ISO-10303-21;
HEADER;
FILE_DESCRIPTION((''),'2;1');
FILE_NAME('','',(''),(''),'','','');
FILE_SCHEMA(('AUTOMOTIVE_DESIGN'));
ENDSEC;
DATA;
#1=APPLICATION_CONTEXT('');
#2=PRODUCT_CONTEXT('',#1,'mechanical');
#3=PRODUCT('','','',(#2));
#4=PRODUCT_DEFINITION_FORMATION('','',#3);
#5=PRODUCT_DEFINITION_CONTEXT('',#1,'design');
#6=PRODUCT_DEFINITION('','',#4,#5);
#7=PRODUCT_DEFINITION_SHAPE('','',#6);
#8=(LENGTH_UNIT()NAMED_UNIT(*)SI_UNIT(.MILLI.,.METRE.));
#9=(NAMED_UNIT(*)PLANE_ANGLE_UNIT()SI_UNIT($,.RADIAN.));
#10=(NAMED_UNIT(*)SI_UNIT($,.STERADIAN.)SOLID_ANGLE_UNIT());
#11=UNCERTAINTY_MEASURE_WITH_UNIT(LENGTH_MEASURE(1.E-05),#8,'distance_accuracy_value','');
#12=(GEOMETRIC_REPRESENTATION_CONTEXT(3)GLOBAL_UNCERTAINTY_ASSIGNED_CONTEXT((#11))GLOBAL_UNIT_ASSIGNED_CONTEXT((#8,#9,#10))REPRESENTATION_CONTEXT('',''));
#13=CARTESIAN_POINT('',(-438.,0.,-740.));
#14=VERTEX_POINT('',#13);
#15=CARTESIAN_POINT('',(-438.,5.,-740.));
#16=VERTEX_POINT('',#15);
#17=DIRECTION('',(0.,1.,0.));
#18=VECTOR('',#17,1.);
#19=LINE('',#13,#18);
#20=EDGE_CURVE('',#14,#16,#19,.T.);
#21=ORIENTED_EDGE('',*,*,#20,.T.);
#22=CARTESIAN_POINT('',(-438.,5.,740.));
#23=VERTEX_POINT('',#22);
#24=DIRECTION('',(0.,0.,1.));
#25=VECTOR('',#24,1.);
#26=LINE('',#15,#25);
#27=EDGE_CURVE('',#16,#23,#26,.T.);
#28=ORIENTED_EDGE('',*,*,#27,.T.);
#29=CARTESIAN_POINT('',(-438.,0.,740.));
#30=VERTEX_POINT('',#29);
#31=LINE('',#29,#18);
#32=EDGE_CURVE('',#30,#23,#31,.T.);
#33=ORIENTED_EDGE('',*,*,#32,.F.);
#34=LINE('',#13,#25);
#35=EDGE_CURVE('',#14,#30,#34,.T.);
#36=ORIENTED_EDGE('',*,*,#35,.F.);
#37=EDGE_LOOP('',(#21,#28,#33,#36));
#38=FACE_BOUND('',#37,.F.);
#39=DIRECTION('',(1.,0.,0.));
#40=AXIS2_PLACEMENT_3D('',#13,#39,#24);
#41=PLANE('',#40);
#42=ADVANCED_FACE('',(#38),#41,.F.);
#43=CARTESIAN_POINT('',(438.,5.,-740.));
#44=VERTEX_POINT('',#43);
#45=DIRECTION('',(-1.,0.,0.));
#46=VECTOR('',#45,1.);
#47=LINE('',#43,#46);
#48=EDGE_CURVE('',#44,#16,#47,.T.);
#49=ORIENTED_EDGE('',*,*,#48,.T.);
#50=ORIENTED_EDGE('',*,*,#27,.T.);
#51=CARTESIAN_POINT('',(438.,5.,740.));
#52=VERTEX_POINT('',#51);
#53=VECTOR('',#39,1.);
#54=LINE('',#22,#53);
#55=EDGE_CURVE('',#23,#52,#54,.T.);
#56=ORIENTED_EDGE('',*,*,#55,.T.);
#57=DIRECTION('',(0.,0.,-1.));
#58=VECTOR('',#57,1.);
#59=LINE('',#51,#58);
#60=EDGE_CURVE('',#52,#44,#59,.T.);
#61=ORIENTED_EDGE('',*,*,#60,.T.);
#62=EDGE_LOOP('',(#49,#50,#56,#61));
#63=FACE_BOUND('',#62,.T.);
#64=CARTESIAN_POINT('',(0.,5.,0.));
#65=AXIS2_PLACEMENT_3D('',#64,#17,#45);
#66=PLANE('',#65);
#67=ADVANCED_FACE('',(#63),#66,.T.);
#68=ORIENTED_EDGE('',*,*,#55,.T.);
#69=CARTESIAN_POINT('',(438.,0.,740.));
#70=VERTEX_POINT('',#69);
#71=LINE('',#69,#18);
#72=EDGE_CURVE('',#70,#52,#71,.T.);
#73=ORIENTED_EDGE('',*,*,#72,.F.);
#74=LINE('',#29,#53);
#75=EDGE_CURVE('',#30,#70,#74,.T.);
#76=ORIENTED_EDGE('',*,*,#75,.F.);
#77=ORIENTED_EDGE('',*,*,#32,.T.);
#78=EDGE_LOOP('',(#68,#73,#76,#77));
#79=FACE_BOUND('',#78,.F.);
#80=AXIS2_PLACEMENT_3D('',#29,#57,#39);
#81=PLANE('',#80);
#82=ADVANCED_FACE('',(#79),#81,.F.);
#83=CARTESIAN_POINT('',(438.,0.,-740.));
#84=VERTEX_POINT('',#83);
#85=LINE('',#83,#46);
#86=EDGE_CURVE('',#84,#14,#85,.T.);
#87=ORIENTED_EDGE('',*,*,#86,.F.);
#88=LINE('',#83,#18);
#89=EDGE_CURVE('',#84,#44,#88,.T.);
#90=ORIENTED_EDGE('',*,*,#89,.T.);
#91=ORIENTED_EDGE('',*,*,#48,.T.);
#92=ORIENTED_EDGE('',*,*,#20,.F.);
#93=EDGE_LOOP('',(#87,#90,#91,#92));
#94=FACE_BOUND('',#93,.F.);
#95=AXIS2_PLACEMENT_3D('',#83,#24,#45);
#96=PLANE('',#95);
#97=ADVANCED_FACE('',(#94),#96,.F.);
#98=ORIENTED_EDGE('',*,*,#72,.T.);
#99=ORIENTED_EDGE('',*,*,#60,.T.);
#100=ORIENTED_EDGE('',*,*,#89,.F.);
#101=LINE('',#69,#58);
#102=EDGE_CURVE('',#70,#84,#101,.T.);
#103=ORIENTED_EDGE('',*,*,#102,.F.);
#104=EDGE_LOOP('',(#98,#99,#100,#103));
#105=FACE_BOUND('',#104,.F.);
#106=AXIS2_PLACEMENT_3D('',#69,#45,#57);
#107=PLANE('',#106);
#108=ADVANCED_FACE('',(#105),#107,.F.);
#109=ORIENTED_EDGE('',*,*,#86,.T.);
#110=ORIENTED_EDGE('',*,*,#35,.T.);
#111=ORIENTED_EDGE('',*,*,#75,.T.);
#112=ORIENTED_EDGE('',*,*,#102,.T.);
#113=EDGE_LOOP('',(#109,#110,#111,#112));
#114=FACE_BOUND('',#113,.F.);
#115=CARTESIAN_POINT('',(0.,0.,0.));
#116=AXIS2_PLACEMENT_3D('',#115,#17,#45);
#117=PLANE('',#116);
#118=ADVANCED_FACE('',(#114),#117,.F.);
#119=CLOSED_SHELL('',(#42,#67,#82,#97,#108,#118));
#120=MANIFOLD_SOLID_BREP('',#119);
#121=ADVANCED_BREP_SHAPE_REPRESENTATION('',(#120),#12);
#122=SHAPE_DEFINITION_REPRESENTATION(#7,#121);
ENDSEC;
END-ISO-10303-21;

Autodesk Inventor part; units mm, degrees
ref_plane "YZ Plane" through (0, 0, 0) normal (1, 0, 0) x (0, 1, 0)
ref_plane "XZ Plane" through (0, 0, 0) normal (0, 1, 0) x (-1, 0, 0)
ref_plane "XY Plane" through (0, 0, 0) normal (0, 0, 1) x (1, 0, 0)
sketch "Эскиз1" plane through (0, 0, 0) normal (0, 1, 0) x (-1, 0, 0)
  line L0 (438, 740) -> (-438, 740)
  line L1 (-438, 740) -> (-438, -740)
  line L2 (-438, -740) -> (438, -740)
  line L3 (438, -740) -> (438, 740)
  line L4 (438, 740) -> (-438, -740) construction
  line L5 (-438, 740) -> (438, -740) construction
  point P0 (0, 0)
  dimension "d0" = 876
  dimension "d1" = 1480
extrude "Пластина1" add sketch "Эскиз1" along normal blind 5
equation "\"d2\" = Толщина"
equation "\"Радиус_гибки\" = Толщина"
equation "\"Ширина_просечки\" = Толщина"
equation "\"Глубина_просечки\" = 0.5 * Толщина"
equation "\"Радиус_перехода\" = Радиус_гибки"
equation "\"Радиус_Якоби\" = Радиус_гибки"
equation "\"Размер_зазора\" = Толщина"
equation "\"Толщина\" = 5"
properties part number "GBK bottom 0127" material "Steel"
